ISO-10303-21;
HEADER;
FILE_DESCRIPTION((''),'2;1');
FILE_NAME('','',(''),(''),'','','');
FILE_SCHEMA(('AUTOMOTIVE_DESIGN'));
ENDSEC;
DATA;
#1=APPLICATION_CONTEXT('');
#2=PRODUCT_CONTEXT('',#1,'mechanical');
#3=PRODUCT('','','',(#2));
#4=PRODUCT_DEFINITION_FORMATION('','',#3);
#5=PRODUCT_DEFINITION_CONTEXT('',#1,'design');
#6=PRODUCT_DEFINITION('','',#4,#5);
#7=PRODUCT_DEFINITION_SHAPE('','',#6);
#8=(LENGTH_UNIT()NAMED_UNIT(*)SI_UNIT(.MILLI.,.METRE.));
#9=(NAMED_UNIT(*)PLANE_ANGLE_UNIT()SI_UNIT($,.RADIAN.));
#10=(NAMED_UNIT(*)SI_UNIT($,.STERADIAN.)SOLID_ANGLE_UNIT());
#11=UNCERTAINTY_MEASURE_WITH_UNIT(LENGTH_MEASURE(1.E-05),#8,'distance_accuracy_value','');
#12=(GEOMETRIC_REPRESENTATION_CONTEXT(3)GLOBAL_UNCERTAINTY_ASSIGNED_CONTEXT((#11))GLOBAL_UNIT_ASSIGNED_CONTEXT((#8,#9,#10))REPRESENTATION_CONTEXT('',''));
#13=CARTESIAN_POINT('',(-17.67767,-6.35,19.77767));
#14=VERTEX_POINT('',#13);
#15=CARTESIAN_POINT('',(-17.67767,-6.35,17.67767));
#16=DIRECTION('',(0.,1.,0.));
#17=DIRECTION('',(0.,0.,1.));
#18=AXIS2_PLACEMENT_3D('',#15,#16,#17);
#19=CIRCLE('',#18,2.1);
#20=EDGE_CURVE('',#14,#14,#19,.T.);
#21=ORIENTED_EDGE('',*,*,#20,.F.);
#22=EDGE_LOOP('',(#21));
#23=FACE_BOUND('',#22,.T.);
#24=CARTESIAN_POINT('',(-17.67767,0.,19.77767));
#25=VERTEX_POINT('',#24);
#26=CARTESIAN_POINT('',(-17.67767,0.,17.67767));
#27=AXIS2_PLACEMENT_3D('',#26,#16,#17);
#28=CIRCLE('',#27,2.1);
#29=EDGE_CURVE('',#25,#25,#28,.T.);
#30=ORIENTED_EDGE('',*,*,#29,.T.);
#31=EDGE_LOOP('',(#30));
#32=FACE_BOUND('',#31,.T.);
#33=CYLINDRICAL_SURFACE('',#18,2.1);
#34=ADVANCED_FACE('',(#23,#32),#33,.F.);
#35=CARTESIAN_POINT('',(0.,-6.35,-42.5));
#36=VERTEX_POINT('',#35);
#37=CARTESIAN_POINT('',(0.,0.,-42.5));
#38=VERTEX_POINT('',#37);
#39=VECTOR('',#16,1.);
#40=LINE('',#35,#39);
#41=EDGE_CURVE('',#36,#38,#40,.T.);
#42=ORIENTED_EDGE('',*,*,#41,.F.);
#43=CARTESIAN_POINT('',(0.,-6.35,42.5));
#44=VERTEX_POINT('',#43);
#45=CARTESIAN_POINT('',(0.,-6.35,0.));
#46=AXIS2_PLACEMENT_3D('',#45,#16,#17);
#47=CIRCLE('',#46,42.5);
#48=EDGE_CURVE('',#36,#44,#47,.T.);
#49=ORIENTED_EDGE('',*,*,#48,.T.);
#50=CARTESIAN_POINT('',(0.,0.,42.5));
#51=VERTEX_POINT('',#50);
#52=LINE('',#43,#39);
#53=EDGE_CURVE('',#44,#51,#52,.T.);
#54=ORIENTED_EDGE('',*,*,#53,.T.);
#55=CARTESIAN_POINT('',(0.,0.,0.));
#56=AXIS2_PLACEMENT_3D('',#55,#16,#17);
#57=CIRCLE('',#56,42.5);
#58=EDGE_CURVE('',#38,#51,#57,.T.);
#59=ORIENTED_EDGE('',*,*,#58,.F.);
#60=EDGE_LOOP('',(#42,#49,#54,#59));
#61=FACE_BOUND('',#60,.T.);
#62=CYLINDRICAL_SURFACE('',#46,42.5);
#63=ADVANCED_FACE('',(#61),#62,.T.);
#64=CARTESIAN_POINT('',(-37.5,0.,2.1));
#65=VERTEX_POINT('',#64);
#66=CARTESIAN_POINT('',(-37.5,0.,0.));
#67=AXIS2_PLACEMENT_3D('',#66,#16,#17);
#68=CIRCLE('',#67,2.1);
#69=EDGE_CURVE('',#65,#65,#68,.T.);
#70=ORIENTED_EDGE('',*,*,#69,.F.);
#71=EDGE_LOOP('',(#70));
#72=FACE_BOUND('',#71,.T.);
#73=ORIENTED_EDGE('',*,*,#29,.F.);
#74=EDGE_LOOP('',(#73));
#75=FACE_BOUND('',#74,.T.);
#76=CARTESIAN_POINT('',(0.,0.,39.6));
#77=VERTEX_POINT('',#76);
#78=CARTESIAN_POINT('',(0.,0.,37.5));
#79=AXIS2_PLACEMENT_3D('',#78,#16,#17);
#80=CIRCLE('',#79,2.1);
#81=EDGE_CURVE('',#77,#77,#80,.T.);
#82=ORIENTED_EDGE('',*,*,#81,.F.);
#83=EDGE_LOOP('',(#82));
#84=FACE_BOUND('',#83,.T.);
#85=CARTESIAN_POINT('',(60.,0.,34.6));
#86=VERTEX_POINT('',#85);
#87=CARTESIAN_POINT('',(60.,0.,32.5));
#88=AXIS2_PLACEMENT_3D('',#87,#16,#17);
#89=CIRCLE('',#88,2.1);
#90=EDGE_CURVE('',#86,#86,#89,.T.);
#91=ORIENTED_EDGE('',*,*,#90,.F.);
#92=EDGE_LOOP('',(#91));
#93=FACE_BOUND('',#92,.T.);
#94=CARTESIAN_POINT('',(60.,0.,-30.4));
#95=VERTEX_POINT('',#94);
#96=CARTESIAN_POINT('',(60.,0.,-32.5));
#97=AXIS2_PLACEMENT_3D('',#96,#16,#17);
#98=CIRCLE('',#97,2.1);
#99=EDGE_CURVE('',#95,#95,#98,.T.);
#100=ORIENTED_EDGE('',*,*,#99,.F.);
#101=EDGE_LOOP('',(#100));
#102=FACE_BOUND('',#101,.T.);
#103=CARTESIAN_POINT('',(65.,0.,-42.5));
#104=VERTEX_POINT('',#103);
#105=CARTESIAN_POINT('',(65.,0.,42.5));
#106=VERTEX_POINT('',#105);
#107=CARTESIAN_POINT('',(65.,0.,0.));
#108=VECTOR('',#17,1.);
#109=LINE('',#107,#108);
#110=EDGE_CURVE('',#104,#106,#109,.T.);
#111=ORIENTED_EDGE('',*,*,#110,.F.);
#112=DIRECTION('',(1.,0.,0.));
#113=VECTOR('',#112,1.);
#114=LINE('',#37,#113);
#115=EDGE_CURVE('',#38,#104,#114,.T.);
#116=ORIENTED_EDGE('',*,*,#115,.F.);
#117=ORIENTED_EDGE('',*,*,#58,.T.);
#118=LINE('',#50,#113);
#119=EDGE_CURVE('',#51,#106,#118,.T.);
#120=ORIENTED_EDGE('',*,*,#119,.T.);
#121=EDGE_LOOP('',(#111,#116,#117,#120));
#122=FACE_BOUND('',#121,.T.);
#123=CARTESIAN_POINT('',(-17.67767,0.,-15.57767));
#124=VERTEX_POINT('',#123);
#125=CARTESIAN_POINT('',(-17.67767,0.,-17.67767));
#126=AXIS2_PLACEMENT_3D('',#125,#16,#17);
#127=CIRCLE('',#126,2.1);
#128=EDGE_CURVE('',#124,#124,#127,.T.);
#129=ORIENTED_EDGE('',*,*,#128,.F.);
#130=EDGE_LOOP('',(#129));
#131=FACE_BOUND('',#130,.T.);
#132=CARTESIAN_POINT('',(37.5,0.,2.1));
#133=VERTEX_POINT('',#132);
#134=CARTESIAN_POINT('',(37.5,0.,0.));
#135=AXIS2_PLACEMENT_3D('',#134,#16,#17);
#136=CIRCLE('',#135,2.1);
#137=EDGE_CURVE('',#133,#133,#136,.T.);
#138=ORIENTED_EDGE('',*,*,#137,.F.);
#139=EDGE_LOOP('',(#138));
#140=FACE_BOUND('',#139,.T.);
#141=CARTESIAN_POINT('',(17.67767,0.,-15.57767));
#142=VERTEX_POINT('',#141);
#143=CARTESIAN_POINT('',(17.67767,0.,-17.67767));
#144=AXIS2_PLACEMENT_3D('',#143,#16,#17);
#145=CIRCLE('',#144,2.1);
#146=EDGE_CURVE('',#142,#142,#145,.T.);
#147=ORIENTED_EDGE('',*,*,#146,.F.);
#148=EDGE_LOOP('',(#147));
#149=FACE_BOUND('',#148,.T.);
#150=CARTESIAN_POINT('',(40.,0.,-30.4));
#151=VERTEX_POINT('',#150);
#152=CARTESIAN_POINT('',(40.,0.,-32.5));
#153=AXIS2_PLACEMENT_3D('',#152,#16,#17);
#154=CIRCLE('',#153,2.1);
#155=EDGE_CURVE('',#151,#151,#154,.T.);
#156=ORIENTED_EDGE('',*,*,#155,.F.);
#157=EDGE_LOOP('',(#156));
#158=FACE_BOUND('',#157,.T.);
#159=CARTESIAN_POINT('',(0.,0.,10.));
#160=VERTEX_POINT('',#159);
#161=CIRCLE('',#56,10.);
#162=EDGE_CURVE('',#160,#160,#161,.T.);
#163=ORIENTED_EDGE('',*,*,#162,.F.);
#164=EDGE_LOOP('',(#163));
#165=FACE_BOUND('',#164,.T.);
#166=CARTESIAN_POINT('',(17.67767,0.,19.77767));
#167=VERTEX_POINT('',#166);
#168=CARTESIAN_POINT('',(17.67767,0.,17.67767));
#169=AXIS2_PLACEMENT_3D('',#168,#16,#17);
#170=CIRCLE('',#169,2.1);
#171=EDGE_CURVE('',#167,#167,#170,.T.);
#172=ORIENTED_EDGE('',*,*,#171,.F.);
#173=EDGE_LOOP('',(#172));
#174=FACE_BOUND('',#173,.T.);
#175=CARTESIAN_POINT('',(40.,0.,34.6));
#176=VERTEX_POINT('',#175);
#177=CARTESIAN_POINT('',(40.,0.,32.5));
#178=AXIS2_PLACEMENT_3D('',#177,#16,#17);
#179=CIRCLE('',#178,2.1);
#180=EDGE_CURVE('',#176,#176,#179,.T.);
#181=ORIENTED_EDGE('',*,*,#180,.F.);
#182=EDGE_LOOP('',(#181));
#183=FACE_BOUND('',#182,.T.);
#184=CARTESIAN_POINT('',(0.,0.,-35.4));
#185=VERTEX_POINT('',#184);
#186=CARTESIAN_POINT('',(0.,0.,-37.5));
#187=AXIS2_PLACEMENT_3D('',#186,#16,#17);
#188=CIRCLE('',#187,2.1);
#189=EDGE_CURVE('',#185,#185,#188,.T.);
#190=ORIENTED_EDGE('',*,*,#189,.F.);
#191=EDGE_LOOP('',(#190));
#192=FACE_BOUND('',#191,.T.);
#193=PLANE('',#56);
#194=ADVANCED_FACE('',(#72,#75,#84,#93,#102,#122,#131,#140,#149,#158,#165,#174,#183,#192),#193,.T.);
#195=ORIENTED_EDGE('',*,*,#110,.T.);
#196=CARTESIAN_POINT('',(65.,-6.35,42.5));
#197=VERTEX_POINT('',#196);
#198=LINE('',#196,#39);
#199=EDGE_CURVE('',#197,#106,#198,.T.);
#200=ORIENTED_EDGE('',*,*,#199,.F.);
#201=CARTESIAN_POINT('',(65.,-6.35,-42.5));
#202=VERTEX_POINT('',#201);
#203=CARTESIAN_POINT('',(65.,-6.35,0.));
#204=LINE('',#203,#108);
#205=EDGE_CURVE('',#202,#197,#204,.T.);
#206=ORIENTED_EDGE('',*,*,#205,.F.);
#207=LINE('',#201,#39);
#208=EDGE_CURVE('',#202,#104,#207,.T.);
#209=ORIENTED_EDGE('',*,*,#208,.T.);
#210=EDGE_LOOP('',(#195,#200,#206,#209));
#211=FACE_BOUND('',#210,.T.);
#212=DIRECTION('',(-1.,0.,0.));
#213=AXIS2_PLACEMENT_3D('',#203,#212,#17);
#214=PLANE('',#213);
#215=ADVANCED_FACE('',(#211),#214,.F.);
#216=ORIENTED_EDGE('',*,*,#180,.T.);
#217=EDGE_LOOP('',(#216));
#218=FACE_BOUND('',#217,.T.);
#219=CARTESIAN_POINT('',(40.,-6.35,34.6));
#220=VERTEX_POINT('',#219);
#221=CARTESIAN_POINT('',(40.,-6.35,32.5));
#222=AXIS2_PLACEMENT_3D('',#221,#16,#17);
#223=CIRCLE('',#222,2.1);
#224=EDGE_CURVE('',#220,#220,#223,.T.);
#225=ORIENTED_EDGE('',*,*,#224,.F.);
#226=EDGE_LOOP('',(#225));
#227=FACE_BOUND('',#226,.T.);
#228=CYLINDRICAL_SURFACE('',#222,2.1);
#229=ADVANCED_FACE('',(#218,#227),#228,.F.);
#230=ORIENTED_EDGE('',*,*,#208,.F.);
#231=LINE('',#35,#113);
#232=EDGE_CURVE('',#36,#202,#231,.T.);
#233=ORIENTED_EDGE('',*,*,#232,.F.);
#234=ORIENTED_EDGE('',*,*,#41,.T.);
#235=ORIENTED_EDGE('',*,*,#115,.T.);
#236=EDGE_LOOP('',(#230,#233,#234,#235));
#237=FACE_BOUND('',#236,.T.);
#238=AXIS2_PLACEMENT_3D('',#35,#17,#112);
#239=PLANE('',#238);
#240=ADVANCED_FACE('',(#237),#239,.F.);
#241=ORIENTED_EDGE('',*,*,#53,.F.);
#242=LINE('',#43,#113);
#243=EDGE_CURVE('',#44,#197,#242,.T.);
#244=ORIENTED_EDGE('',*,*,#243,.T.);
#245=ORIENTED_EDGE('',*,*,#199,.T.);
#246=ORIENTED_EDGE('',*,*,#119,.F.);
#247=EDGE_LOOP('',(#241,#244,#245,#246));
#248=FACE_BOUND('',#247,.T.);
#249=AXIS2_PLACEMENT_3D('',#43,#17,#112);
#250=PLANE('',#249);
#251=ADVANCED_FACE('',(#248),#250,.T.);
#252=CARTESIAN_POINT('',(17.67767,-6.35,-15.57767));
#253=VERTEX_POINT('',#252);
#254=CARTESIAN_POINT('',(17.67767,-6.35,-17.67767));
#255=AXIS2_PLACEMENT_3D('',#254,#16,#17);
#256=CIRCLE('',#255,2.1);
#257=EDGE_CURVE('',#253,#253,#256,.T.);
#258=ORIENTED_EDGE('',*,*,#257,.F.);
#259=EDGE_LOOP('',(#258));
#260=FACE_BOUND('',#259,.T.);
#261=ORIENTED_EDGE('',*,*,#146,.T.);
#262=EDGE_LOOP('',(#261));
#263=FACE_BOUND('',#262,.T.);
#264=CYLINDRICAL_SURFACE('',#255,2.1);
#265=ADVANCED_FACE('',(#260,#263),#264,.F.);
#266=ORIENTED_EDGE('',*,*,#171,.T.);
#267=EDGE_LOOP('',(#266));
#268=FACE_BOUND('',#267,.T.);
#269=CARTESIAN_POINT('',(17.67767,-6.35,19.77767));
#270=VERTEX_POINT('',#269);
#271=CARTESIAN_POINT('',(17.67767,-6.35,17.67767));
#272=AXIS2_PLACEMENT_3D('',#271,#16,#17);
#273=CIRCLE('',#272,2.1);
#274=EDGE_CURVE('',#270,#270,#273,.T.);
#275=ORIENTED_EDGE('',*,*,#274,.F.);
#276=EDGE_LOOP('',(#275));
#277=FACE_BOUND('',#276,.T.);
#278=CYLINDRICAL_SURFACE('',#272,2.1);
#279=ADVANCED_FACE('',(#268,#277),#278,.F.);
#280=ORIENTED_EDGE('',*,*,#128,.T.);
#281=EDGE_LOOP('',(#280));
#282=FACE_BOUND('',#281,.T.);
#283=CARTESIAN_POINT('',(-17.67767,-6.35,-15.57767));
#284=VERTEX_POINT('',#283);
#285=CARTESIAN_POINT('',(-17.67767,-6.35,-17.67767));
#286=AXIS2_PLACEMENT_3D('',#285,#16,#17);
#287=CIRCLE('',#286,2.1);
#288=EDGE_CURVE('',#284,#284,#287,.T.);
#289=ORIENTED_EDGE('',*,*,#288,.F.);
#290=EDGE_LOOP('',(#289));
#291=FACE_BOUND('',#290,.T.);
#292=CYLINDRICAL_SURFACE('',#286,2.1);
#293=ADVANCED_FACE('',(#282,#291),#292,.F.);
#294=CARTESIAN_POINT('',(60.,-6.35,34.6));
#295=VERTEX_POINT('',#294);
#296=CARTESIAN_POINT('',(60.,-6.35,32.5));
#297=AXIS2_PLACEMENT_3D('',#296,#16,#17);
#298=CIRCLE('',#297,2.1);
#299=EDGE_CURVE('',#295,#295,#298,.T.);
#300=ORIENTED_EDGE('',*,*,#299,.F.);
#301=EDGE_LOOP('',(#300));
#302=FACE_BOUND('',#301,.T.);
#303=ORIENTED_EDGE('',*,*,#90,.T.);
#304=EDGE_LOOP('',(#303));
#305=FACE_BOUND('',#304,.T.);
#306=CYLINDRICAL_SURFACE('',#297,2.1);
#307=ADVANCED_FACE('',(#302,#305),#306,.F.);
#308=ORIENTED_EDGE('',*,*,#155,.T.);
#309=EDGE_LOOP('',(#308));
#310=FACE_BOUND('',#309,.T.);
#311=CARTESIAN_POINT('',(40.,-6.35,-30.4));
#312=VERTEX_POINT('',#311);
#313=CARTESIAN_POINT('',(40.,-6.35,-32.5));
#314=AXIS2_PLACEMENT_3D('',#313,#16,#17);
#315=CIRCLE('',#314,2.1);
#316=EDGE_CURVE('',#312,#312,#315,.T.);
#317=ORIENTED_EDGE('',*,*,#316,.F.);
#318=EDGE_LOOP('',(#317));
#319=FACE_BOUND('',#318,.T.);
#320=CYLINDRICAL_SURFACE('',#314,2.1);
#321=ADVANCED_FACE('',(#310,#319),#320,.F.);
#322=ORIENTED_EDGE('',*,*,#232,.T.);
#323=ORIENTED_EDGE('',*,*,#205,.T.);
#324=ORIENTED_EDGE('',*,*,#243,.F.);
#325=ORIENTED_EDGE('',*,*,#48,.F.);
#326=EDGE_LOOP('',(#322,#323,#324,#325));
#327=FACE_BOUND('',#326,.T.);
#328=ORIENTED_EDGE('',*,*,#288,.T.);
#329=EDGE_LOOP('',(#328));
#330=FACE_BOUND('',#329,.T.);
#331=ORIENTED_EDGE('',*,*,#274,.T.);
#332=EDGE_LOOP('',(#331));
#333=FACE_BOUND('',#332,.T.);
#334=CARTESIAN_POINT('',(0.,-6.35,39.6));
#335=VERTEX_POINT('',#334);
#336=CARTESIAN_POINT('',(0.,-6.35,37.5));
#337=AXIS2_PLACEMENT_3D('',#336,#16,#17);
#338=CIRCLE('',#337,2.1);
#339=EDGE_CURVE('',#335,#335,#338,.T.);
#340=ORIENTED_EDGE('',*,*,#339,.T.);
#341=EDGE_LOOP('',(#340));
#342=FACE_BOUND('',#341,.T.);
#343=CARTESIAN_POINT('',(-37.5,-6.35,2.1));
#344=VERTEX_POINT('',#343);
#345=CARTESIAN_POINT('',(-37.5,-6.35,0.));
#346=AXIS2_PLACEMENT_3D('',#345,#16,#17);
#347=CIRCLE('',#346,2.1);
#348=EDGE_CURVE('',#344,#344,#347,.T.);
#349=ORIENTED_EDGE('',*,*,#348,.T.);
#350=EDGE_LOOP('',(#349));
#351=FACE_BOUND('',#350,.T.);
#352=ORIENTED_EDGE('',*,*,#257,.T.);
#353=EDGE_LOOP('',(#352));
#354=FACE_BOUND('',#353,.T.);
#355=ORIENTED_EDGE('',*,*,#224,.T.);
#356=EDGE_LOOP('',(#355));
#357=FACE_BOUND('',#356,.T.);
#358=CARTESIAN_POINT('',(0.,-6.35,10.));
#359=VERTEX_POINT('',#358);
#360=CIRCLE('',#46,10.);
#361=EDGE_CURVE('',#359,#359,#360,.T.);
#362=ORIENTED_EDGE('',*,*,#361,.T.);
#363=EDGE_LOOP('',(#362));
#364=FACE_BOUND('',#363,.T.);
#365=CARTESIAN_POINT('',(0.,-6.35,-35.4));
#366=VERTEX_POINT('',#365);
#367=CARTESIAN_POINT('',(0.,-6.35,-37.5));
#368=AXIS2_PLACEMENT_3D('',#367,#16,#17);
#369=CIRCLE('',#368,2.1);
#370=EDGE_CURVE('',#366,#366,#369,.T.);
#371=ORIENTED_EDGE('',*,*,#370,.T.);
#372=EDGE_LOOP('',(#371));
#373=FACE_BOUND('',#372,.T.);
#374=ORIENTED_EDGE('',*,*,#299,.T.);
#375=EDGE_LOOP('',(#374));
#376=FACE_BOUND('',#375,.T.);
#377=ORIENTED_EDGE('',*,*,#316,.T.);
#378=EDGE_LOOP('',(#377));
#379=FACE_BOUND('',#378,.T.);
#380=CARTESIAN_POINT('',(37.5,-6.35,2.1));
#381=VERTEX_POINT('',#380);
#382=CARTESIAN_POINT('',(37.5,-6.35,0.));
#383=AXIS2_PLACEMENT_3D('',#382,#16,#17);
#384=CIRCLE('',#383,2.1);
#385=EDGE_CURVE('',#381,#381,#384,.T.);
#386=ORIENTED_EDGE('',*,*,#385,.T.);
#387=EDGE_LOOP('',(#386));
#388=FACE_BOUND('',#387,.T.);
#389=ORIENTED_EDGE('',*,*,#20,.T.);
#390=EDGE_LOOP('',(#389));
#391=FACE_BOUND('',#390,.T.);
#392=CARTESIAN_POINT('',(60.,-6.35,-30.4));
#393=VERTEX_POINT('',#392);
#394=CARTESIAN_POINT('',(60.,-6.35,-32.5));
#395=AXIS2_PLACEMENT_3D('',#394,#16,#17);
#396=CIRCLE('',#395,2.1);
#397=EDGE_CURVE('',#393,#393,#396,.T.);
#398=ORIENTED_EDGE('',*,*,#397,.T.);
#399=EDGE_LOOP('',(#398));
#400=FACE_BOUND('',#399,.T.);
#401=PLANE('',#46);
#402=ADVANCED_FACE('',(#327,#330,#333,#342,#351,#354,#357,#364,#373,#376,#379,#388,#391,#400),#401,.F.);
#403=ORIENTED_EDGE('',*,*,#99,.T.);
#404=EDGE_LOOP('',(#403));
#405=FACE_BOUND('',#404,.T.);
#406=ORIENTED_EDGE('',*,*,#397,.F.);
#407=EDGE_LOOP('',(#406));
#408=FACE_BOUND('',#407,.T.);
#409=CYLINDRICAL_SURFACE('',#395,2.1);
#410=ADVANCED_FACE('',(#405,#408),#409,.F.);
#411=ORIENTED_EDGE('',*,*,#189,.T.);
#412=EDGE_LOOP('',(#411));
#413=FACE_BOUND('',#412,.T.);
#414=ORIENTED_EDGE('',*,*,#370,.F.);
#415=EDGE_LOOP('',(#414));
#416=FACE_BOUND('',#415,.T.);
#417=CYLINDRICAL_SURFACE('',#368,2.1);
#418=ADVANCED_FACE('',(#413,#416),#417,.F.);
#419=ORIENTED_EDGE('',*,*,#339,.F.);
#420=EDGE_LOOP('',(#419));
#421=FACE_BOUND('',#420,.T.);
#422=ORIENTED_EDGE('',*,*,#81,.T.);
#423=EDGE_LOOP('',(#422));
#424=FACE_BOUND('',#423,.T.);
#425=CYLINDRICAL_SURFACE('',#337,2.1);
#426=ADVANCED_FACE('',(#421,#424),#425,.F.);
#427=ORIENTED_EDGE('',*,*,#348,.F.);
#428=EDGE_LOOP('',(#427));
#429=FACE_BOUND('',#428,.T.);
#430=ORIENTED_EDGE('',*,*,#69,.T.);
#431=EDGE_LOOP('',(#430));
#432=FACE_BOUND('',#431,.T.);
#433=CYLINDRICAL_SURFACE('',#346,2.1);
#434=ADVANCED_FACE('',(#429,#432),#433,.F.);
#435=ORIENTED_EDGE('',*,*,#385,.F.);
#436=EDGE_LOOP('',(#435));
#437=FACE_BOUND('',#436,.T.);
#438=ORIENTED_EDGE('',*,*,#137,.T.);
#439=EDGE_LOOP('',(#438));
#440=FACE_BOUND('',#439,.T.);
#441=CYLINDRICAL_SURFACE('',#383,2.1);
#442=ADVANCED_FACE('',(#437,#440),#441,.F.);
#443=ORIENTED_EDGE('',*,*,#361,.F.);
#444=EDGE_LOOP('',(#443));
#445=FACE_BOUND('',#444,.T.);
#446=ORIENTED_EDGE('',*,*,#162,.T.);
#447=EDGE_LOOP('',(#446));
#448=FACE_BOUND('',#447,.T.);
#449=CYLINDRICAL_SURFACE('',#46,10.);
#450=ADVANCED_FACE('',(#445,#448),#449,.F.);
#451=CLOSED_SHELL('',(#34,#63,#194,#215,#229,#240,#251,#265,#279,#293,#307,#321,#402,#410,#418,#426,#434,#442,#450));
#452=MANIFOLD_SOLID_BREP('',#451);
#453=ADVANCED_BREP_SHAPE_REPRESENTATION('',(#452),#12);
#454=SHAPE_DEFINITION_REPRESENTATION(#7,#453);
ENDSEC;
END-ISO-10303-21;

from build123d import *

# Parameters (mm, degrees)
SKETCH1_R           = 2.1
SKETCH1_R_2         = 10
BOSS_EXTRUDE1_DEPTH = 6.35


with BuildPart() as part:
    # Sketch1 → Boss-Extrude1 (new body)
    with BuildSketch(Plane(origin=(0, 0, 0), x_dir=(1, 0, 0), z_dir=(0, 1, 0))):
        with BuildLine():
            Line((65, 42.5), (0, 42.5))
            ThreePointArc((0, 42.5), (-42.5, 0), (0, -42.5))
            Line((0, -42.5), (65, -42.5))
            Line((65, -42.5), (65, 42.5))
        make_face()
        with Locations(Location((40, -32.5, 0), (0, 0, 270))):
            Circle(SKETCH1_R, mode=Mode.SUBTRACT)
        with Locations(Location((60, -32.5, 0), (0, 0, 270))):
            Circle(SKETCH1_R, mode=Mode.SUBTRACT)
        with Locations(Location((40, 32.5, 0), (0, 0, 270))):
            Circle(SKETCH1_R, mode=Mode.SUBTRACT)
        with Locations(Location((60, 32.5, 0), (0, 0, 270))):
            Circle(SKETCH1_R, mode=Mode.SUBTRACT)
        with Locations(Location((37.5, 0, 0), (0, 0, 270))):
            Circle(SKETCH1_R, mode=Mode.SUBTRACT)
        with Locations(Location((17.67766953, 17.67766953, 0), (0, 0, 270))):
            Circle(SKETCH1_R, mode=Mode.SUBTRACT)
        with Locations(Location((0, -37.5, 0), (0, 0, 270))):
            Circle(SKETCH1_R, mode=Mode.SUBTRACT)
        with Locations(Location((-17.67766953, -17.67766953, 0), (0, 0, 270))):
            Circle(SKETCH1_R, mode=Mode.SUBTRACT)
        with Locations(Location((17.67766953, -17.67766953, 0), (0, 0, 270))):
            Circle(SKETCH1_R, mode=Mode.SUBTRACT)
        with Locations(Location((-37.5, 0, 0), (0, 0, 270))):
            Circle(SKETCH1_R, mode=Mode.SUBTRACT)
        with Locations(Location((-17.67766953, 17.67766953, 0), (0, 0, 270))):
            Circle(SKETCH1_R, mode=Mode.SUBTRACT)
        with Locations(Location((0, 0, 0), (0, 0, 270))):
            Circle(SKETCH1_R_2, mode=Mode.SUBTRACT)
        with Locations(Location((0, 37.5, 0), (0, 0, 270))):
            Circle(SKETCH1_R, mode=Mode.SUBTRACT)
    extrude(amount=-BOSS_EXTRUDE1_DEPTH)


solid = part.part
